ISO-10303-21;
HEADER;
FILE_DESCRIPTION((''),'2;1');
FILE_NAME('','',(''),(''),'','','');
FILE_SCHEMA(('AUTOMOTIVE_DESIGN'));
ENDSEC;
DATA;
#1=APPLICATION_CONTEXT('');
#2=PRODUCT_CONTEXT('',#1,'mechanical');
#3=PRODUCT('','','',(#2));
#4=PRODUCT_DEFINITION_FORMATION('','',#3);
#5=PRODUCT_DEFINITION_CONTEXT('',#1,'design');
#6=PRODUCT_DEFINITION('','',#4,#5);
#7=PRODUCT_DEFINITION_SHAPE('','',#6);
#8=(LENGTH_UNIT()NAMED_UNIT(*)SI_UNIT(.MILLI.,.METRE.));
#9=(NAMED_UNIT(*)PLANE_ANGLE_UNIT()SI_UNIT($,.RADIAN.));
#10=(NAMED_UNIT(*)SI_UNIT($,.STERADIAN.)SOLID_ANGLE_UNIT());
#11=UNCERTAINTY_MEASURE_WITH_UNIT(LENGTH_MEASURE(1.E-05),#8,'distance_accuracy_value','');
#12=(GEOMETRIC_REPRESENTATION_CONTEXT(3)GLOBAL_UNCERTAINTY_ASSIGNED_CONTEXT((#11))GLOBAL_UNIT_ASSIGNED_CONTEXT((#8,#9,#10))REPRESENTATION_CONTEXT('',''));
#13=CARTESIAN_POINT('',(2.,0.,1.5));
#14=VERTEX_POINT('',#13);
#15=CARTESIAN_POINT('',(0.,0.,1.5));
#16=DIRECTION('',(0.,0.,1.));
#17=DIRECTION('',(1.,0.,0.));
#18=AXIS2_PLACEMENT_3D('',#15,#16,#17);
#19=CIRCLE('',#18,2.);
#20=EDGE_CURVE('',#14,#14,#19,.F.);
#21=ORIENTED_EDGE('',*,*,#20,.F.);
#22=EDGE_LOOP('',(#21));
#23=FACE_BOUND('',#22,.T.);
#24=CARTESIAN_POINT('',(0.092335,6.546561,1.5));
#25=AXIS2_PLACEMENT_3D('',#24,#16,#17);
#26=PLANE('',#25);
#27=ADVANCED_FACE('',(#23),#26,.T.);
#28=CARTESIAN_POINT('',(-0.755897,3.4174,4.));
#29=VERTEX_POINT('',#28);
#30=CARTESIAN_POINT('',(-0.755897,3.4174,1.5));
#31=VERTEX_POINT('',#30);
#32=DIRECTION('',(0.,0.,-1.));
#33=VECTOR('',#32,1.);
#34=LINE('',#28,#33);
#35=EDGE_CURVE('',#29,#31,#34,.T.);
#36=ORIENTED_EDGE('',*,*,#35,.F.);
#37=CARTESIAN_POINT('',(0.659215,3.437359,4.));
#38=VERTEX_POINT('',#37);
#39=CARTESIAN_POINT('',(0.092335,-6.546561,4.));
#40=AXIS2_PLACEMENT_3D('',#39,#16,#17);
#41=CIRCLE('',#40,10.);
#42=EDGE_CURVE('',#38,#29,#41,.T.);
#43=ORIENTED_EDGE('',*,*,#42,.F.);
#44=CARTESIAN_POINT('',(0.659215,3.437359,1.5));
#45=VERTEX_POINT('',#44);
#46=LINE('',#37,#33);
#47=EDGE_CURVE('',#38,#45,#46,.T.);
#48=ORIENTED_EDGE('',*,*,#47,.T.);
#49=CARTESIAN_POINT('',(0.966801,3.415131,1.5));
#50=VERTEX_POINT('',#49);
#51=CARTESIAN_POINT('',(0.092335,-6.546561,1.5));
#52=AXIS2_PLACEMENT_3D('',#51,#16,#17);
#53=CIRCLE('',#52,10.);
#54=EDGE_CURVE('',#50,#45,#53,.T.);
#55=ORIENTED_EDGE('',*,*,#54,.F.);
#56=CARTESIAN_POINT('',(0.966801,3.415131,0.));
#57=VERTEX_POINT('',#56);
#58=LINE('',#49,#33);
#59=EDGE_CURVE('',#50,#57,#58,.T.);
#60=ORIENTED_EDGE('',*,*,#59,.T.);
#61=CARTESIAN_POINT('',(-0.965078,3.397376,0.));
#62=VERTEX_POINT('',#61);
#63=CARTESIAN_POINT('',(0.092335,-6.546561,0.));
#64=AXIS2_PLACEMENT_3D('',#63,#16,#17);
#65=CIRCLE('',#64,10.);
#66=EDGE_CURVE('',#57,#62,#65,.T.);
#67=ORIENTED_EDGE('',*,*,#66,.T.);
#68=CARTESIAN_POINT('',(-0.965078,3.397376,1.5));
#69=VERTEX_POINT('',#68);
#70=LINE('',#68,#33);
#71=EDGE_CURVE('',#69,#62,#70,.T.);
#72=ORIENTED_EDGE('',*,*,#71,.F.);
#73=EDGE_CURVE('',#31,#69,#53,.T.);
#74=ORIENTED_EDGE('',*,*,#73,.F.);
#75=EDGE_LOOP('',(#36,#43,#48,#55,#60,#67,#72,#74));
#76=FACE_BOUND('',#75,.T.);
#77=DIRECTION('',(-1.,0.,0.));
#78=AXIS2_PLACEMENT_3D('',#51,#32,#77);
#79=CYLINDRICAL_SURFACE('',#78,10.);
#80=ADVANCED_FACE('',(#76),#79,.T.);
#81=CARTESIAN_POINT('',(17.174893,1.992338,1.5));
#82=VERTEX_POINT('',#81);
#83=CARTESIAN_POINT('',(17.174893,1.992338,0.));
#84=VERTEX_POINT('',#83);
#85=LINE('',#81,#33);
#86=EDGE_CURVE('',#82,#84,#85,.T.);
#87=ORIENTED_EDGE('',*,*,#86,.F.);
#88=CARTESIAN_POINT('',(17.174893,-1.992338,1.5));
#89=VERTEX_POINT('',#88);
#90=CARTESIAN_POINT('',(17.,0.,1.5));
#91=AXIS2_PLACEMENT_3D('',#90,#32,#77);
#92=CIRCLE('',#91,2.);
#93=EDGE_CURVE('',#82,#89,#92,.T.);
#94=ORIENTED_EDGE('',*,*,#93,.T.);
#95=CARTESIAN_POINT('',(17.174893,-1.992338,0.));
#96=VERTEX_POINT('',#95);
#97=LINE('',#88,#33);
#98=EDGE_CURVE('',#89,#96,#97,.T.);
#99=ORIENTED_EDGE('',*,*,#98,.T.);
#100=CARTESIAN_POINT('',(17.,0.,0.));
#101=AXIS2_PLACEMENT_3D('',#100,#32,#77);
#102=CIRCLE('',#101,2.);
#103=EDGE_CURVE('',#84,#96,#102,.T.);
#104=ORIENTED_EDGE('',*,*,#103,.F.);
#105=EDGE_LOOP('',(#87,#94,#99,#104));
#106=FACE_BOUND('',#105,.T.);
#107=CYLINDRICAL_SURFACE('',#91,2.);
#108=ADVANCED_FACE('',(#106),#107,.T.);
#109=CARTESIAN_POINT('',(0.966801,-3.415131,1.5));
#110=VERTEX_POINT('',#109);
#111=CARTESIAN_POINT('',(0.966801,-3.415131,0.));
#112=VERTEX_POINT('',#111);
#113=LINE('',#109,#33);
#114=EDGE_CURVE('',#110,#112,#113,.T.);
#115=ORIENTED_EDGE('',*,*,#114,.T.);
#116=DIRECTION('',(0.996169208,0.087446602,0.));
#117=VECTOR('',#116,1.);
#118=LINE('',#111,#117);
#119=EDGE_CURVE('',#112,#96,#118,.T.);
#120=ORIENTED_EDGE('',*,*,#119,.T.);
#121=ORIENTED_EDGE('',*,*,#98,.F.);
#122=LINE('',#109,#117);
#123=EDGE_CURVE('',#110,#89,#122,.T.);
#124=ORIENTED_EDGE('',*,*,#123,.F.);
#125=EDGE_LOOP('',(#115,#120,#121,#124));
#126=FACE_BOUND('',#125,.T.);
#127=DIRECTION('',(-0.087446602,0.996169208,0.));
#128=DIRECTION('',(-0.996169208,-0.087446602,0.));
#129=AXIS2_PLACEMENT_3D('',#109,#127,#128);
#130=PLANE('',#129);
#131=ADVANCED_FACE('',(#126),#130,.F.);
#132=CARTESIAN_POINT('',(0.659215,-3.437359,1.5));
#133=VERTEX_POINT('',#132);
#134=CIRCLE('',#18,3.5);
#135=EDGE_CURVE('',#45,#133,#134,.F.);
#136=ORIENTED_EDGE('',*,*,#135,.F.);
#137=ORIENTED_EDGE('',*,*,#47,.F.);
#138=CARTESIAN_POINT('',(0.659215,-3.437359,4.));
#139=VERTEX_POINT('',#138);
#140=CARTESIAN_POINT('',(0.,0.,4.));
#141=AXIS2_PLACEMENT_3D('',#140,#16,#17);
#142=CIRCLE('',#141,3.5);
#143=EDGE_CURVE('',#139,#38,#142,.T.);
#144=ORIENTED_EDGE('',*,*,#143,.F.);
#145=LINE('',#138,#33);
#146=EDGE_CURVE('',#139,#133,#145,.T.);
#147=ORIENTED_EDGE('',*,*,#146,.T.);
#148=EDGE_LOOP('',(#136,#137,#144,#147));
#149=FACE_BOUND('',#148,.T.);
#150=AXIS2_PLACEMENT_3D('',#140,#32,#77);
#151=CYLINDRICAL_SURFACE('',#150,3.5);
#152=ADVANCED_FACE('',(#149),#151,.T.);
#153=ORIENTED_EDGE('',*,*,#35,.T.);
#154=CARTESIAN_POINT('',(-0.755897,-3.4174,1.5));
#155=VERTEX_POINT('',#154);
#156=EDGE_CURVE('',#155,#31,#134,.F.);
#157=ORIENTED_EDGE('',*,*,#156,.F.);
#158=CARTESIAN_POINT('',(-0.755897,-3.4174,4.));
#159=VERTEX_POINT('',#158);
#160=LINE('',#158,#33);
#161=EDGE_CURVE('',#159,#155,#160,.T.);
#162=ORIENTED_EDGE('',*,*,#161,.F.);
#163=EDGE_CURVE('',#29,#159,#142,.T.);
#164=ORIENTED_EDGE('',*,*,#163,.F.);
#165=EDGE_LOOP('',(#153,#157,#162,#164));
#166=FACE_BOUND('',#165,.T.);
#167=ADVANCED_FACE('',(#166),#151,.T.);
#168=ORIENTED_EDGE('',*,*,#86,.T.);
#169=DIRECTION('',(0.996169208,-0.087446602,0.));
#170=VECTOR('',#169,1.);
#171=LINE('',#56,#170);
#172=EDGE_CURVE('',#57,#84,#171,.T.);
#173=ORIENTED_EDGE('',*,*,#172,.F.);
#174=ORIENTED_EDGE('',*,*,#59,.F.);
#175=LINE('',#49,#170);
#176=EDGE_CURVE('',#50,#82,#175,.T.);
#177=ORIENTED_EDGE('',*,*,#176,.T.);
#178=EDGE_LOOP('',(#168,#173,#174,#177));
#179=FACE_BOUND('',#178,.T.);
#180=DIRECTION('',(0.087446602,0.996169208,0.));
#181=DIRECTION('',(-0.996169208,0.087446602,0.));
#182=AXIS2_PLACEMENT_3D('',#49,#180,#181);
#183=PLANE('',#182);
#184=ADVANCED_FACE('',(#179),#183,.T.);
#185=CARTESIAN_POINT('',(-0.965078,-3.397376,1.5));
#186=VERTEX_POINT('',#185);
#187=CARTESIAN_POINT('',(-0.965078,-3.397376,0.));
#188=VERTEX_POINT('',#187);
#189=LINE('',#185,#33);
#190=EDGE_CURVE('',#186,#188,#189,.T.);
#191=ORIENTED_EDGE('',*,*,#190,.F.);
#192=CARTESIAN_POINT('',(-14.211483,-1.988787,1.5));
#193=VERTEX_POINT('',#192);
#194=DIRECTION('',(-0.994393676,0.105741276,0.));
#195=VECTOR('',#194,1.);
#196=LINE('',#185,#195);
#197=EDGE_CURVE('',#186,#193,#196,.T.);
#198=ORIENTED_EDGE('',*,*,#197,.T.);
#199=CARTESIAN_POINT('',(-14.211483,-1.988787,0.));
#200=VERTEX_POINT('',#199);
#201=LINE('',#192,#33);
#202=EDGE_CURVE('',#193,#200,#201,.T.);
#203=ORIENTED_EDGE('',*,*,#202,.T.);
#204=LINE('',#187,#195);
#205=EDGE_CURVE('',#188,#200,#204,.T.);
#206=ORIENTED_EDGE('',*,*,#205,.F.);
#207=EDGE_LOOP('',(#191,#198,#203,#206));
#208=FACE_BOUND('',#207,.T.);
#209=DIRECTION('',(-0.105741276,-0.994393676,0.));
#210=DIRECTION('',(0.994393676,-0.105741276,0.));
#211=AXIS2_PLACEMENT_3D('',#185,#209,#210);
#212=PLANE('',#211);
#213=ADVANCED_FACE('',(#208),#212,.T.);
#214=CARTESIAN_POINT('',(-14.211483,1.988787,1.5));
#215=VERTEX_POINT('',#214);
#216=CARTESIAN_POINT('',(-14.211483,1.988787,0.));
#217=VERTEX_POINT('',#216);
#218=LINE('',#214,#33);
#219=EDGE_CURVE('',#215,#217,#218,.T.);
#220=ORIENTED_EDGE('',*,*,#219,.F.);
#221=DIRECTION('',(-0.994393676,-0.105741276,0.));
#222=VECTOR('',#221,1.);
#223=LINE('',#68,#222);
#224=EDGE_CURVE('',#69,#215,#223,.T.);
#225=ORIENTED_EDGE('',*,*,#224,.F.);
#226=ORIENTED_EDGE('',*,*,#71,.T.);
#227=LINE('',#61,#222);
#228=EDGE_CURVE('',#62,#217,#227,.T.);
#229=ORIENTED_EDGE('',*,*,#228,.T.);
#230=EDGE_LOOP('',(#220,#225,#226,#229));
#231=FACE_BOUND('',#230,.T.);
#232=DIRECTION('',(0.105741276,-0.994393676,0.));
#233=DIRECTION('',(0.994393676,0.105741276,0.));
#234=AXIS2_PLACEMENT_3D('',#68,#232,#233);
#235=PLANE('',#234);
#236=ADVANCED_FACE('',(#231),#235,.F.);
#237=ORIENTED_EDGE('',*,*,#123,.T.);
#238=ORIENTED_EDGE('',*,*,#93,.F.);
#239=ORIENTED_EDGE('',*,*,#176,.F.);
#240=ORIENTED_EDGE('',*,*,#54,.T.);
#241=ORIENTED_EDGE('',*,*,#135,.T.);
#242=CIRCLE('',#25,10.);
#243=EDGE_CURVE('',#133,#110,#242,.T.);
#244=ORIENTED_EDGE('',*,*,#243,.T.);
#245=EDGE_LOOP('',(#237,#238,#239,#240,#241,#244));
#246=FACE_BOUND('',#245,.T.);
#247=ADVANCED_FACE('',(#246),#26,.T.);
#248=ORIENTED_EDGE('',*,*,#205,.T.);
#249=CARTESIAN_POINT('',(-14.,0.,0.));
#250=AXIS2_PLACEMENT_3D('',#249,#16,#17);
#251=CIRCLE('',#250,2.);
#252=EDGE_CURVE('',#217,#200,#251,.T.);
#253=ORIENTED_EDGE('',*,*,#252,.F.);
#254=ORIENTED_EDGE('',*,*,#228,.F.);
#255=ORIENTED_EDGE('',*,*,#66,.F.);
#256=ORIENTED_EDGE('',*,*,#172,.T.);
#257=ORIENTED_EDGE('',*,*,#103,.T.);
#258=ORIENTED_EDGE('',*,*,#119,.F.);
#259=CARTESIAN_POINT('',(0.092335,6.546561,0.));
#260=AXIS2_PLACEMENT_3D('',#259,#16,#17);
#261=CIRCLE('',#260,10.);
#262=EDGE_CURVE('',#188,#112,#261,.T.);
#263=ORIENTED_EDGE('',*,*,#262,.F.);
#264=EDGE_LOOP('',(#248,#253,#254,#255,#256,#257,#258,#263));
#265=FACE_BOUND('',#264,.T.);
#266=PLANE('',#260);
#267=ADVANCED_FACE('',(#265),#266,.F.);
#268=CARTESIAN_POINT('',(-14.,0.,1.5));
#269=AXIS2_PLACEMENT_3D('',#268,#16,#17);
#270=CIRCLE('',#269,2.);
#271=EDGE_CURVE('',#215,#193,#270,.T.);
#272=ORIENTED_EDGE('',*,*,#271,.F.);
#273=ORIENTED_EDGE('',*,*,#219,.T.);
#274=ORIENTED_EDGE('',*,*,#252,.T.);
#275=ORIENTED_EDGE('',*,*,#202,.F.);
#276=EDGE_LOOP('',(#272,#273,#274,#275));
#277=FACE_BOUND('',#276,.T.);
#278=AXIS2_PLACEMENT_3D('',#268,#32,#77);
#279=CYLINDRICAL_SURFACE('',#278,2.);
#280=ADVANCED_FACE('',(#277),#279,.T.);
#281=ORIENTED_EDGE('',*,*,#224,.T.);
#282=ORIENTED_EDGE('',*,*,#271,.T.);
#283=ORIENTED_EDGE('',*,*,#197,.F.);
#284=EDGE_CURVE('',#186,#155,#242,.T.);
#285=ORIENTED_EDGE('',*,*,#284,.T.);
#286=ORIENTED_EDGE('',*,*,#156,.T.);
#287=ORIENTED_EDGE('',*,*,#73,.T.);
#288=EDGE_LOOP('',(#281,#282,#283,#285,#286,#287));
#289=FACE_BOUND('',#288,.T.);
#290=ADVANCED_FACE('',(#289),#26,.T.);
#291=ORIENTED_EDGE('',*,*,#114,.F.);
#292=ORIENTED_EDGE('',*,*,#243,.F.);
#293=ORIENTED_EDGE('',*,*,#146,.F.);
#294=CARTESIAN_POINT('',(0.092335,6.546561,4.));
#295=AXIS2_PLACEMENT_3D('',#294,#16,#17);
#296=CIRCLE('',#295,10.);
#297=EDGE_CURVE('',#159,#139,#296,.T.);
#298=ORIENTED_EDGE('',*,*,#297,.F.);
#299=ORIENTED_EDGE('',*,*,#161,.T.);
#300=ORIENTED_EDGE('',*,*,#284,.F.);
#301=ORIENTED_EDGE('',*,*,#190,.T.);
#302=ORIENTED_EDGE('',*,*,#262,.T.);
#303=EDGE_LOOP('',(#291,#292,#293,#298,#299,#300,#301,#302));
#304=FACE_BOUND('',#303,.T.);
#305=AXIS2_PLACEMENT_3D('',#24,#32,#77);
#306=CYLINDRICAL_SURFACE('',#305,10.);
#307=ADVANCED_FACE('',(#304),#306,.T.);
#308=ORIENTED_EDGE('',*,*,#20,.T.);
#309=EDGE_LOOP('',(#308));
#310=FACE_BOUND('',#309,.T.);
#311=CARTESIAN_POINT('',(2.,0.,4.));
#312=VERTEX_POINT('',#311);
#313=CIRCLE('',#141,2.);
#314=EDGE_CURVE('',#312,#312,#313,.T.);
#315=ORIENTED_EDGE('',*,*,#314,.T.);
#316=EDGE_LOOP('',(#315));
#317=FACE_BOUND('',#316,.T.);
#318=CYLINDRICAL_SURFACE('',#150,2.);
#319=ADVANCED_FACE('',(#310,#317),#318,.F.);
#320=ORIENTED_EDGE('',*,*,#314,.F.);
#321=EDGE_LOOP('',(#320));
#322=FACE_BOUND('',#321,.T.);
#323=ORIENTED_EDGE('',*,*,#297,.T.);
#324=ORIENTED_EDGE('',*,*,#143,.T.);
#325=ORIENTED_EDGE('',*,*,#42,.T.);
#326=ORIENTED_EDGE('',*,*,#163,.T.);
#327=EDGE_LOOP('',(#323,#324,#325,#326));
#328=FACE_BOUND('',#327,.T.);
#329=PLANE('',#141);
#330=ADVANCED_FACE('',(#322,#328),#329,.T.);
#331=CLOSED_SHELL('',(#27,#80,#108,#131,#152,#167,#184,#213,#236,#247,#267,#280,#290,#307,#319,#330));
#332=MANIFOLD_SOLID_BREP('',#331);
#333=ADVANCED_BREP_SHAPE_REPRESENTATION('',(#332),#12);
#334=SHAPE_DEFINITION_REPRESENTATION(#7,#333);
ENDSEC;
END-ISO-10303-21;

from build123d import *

# Parameters (mm, degrees)
BOSS_EXTRUDE1_DEPTH = 1.5
SKETCH1_3_R         = 2
BOSS_EXTRUDE2_DEPTH = 4


with BuildPart() as part:
    # Sketch1 → Boss-Extrude1 (new body)
    with BuildSketch(Plane.XY):
        with BuildLine():
            Line((-0.965077795, 3.3973761), (-14.211482552, 1.988787352))
            ThreePointArc((-14.211482552, 1.988787352), (-16, 0), (-14.211482552, -1.988787352))
            Line((-14.211482552, -1.988787352), (-0.965077795, -3.3973761))
            ThreePointArc((-0.965077795, -3.3973761), (0.000431807, -3.453017023), (0.966800983, -3.415131426))
            Line((0.966800983, -3.415131426), (17.174893203, -1.992338417))
            ThreePointArc((17.174893203, -1.992338417), (19, 0), (17.174893203, 1.992338417))
            Line((17.174893203, 1.992338417), (0.966800983, 3.415131426))
            ThreePointArc((0.966800983, 3.415131426), (0.000431807, 3.453017023), (-0.965077795, 3.3973761))
        make_face()
    extrude(amount=BOSS_EXTRUDE1_DEPTH)

    # Sketch1<3> → Boss-Extrude2 (add)
    with BuildSketch(Plane.XY):
        with BuildLine():
            ThreePointArc((0.65921534, 3.437358744), (-0.048694481, 3.452444827), (-0.755897232, 3.417399505))
            ThreePointArc((-0.755897232, 3.417399505), (-3.5, 0), (-0.755897232, -3.417399505))
            ThreePointArc((-0.755897232, -3.417399505), (-0.048694481, -3.452444827), (0.65921534, -3.437358744))
            ThreePointArc((0.65921534, -3.437358744), (2.697893038, -2.229657632), (3.5, 0))
            ThreePointArc((3.5, 0), (2.697893038, 2.229657632), (0.65921534, 3.437358744))
        make_face()
        Circle(SKETCH1_3_R, mode=Mode.SUBTRACT)
    extrude(amount=BOSS_EXTRUDE2_DEPTH)


solid = part.part
